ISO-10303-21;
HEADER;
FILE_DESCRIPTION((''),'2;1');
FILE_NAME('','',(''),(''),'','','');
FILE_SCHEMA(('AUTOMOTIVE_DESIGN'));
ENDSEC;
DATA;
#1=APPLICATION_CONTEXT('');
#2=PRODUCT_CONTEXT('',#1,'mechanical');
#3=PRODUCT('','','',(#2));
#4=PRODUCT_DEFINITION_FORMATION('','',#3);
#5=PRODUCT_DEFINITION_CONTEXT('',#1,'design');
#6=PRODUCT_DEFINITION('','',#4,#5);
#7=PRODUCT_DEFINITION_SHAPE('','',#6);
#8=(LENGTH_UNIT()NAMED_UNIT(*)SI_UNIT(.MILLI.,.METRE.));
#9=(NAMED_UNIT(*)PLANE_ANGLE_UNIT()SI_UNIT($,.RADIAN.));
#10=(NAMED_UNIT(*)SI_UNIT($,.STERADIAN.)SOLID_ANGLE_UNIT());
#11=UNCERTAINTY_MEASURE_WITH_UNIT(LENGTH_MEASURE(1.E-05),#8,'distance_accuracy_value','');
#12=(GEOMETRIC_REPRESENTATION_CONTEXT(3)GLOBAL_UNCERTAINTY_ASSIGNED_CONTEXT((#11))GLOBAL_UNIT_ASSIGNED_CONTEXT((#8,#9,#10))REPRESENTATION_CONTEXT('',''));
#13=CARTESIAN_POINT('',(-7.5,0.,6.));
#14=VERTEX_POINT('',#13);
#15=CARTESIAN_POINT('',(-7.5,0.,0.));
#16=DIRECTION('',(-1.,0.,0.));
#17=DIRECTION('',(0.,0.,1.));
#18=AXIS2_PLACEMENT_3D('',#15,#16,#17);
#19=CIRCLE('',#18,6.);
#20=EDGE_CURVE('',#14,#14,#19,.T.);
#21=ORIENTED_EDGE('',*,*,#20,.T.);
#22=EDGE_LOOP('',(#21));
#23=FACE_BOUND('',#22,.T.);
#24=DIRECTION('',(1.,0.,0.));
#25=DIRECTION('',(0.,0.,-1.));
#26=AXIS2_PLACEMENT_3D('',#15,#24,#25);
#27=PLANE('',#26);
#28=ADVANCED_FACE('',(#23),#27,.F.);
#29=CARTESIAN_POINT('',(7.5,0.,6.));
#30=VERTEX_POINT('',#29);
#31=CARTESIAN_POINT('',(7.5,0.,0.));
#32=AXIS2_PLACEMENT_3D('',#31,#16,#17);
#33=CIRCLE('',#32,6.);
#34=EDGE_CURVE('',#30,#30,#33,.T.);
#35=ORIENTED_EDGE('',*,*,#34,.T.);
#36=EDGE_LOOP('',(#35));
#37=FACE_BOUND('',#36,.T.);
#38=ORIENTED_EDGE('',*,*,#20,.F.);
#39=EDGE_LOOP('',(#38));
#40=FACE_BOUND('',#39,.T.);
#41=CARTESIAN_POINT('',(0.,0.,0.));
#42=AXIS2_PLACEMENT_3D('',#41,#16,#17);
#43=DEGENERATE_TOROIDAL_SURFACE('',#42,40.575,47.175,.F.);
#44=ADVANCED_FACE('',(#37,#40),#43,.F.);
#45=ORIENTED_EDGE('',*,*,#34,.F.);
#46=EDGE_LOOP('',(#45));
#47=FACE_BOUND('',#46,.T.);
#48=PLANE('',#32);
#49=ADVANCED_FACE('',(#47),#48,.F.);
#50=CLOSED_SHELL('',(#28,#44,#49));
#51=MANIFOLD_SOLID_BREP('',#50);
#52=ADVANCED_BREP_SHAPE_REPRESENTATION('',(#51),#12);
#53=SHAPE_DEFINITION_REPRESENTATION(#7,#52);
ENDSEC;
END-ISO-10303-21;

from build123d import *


with BuildPart() as part:
    # Sketch1 → Revolve1 (revolve)
    with BuildSketch(Plane.XY, mode=Mode.PRIVATE) as revolve1_sk:
        with BuildLine():
            Line((-7.5, 0), (-7.5, 6))
            ThreePointArc((-7.5, 6), (0, 6.6), (7.5, 6))
            Line((7.5, 6), (7.5, 0))
            Line((7.5, 0), (-7.5, 0))
        make_face()
    revolve(revolve1_sk.sketch.rotate(Axis((-7.5, 0, 0), (1, 0, 0)), 90), axis=Axis((-7.5, 0, 0), (1, 0, 0)))


solid = part.part
